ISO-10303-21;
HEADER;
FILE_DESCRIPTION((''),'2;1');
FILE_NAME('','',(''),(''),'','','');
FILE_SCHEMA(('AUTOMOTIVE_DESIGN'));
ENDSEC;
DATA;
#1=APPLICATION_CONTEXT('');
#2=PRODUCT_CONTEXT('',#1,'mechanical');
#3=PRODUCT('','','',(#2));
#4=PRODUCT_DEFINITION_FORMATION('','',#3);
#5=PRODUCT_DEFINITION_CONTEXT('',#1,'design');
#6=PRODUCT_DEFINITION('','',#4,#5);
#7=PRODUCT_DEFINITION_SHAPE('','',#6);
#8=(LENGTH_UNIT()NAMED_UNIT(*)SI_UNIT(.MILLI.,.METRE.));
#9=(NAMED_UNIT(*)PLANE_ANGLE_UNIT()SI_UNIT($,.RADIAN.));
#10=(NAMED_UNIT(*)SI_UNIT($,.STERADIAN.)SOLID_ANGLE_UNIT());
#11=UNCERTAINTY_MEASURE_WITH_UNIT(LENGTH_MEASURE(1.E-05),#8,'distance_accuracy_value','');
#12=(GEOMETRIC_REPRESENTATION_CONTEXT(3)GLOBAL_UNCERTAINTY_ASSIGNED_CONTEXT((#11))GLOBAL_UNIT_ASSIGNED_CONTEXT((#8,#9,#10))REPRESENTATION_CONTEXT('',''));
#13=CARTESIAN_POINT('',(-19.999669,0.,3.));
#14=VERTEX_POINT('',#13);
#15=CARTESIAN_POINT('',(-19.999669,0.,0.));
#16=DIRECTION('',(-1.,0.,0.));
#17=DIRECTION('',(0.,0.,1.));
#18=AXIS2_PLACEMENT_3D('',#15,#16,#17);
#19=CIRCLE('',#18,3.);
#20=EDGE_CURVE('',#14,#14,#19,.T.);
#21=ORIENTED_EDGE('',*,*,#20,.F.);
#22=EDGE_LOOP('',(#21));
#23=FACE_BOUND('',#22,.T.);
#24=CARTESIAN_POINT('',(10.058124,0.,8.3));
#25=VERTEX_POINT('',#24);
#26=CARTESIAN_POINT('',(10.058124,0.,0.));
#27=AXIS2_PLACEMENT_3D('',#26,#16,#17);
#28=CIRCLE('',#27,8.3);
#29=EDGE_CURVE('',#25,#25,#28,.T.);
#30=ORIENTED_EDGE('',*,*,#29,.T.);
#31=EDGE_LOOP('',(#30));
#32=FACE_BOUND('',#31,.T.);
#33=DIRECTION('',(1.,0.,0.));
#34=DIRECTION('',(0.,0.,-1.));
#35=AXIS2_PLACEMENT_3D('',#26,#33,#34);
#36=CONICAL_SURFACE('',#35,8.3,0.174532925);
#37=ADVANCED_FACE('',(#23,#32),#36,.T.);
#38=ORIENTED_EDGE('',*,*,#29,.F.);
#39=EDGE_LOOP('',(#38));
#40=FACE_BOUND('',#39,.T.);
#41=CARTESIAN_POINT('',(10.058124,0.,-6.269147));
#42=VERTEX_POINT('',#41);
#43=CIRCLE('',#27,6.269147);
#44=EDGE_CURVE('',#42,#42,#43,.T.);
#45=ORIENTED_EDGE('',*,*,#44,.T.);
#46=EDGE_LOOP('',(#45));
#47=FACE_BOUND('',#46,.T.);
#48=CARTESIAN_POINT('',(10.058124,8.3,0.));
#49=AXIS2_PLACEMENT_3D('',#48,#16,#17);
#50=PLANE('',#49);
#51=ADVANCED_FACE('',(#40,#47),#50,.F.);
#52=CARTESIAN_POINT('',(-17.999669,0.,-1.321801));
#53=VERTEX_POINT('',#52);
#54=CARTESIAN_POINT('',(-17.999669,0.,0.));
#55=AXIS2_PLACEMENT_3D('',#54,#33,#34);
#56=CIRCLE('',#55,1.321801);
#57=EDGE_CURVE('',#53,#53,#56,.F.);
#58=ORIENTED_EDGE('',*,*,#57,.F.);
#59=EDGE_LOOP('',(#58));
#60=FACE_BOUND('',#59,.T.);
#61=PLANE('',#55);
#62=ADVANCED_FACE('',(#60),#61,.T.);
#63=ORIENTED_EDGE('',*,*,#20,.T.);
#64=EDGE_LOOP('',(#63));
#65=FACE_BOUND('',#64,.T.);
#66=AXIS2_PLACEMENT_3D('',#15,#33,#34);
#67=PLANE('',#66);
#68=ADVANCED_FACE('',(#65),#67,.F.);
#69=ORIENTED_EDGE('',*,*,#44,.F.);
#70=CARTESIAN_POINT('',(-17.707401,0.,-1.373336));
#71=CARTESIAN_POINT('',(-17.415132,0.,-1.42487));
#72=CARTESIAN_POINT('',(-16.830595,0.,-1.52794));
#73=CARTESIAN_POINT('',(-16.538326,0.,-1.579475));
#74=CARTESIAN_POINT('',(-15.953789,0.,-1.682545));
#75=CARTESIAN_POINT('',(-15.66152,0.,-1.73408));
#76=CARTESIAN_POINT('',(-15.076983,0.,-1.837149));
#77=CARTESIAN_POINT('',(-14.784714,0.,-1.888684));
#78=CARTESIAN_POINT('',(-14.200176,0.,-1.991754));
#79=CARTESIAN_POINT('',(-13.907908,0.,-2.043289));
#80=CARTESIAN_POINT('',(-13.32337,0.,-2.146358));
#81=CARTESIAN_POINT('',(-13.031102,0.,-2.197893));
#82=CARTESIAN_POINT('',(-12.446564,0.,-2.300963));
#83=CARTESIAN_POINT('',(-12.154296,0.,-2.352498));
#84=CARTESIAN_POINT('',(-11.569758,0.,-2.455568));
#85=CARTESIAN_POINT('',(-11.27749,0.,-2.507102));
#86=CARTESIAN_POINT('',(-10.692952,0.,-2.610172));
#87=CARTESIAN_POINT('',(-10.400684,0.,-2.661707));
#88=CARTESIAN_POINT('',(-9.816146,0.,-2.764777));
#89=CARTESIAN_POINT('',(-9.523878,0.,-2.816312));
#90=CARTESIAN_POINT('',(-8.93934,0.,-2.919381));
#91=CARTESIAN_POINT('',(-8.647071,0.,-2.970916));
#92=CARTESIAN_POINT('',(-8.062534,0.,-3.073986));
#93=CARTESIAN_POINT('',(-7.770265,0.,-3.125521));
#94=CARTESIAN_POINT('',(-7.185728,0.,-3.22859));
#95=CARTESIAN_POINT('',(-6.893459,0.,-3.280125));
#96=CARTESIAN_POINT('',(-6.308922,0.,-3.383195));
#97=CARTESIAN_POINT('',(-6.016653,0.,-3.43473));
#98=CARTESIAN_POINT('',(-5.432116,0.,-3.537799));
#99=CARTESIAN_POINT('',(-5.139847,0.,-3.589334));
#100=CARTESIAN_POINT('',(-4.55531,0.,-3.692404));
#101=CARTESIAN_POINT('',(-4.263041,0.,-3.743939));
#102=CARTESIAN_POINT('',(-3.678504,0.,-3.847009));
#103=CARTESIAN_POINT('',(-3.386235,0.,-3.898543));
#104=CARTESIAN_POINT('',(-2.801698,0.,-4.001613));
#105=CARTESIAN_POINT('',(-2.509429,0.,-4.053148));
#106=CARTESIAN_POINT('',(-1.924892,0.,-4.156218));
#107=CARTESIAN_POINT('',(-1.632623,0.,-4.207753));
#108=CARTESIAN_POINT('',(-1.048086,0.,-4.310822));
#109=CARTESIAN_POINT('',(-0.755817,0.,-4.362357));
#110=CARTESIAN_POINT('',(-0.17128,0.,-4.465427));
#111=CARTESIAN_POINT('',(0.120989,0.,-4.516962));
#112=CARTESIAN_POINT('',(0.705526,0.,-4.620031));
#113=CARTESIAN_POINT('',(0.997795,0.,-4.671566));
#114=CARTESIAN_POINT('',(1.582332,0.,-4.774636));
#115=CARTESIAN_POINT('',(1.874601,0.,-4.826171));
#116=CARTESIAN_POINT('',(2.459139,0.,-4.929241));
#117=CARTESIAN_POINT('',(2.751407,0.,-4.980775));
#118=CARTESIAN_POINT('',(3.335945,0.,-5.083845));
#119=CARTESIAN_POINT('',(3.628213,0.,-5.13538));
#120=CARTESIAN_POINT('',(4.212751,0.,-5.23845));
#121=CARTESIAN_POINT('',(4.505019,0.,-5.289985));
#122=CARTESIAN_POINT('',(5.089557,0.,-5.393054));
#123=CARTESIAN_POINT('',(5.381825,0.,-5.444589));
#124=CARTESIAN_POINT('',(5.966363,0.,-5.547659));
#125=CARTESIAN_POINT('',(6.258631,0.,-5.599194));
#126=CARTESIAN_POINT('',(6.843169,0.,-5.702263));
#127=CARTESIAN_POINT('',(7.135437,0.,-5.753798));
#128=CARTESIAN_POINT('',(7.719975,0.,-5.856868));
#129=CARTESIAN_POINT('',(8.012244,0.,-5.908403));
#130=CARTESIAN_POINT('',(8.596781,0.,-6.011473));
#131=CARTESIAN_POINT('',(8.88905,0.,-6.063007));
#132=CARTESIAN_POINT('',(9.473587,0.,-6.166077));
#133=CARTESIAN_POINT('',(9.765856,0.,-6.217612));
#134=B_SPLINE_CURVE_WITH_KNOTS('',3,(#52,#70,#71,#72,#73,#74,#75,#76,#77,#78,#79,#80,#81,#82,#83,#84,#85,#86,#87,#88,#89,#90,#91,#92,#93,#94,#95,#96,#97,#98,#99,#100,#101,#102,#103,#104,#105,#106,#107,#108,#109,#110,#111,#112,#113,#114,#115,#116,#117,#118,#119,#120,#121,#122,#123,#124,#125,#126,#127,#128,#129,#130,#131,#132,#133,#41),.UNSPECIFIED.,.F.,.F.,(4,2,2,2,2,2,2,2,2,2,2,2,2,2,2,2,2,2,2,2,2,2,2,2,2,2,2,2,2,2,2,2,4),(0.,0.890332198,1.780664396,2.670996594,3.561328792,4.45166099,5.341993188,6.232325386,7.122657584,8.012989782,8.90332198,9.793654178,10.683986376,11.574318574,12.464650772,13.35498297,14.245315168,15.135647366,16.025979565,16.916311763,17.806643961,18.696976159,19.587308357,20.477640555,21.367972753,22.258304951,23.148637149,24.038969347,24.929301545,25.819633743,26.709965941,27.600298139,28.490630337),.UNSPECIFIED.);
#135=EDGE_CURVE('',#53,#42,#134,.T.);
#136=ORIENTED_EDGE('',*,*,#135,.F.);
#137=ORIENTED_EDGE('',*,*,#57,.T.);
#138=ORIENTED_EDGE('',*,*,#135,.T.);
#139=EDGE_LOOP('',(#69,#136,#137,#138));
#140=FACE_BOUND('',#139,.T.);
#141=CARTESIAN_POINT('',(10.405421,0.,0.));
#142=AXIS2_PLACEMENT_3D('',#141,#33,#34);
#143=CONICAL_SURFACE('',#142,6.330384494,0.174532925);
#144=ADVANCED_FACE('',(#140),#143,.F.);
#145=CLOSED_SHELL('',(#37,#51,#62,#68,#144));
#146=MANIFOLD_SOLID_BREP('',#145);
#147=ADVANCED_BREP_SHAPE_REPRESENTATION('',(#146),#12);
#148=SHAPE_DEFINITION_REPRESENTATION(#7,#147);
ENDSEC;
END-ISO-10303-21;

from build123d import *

# Parameters (mm, degrees)
SHELL1_T = -2


with BuildPart() as part:
    # Sketch1 → Revolve1 (revolve)
    with BuildSketch(Plane.XY, mode=Mode.PRIVATE) as revolve1_sk:
        Polygon((-19.999669342, 0), (-19.999669342, 3), (10.058124302, 8.3), (10.058124302, 0), align=None)
    revolve(revolve1_sk.sketch.rotate(Axis((-20.932600226, 0, 0), (1, 0, 0)), 90), axis=Axis((-20.932600226, 0, 0), (1, 0, 0)))

    # Shell1
    shell1_openings = [part.faces().sort_by_distance(p)[0] for p in [
        (10.058124302, 0, 0),
    ]]
    offset(amount=SHELL1_T, openings=shell1_openings, kind=Kind.INTERSECTION)


solid = part.part
